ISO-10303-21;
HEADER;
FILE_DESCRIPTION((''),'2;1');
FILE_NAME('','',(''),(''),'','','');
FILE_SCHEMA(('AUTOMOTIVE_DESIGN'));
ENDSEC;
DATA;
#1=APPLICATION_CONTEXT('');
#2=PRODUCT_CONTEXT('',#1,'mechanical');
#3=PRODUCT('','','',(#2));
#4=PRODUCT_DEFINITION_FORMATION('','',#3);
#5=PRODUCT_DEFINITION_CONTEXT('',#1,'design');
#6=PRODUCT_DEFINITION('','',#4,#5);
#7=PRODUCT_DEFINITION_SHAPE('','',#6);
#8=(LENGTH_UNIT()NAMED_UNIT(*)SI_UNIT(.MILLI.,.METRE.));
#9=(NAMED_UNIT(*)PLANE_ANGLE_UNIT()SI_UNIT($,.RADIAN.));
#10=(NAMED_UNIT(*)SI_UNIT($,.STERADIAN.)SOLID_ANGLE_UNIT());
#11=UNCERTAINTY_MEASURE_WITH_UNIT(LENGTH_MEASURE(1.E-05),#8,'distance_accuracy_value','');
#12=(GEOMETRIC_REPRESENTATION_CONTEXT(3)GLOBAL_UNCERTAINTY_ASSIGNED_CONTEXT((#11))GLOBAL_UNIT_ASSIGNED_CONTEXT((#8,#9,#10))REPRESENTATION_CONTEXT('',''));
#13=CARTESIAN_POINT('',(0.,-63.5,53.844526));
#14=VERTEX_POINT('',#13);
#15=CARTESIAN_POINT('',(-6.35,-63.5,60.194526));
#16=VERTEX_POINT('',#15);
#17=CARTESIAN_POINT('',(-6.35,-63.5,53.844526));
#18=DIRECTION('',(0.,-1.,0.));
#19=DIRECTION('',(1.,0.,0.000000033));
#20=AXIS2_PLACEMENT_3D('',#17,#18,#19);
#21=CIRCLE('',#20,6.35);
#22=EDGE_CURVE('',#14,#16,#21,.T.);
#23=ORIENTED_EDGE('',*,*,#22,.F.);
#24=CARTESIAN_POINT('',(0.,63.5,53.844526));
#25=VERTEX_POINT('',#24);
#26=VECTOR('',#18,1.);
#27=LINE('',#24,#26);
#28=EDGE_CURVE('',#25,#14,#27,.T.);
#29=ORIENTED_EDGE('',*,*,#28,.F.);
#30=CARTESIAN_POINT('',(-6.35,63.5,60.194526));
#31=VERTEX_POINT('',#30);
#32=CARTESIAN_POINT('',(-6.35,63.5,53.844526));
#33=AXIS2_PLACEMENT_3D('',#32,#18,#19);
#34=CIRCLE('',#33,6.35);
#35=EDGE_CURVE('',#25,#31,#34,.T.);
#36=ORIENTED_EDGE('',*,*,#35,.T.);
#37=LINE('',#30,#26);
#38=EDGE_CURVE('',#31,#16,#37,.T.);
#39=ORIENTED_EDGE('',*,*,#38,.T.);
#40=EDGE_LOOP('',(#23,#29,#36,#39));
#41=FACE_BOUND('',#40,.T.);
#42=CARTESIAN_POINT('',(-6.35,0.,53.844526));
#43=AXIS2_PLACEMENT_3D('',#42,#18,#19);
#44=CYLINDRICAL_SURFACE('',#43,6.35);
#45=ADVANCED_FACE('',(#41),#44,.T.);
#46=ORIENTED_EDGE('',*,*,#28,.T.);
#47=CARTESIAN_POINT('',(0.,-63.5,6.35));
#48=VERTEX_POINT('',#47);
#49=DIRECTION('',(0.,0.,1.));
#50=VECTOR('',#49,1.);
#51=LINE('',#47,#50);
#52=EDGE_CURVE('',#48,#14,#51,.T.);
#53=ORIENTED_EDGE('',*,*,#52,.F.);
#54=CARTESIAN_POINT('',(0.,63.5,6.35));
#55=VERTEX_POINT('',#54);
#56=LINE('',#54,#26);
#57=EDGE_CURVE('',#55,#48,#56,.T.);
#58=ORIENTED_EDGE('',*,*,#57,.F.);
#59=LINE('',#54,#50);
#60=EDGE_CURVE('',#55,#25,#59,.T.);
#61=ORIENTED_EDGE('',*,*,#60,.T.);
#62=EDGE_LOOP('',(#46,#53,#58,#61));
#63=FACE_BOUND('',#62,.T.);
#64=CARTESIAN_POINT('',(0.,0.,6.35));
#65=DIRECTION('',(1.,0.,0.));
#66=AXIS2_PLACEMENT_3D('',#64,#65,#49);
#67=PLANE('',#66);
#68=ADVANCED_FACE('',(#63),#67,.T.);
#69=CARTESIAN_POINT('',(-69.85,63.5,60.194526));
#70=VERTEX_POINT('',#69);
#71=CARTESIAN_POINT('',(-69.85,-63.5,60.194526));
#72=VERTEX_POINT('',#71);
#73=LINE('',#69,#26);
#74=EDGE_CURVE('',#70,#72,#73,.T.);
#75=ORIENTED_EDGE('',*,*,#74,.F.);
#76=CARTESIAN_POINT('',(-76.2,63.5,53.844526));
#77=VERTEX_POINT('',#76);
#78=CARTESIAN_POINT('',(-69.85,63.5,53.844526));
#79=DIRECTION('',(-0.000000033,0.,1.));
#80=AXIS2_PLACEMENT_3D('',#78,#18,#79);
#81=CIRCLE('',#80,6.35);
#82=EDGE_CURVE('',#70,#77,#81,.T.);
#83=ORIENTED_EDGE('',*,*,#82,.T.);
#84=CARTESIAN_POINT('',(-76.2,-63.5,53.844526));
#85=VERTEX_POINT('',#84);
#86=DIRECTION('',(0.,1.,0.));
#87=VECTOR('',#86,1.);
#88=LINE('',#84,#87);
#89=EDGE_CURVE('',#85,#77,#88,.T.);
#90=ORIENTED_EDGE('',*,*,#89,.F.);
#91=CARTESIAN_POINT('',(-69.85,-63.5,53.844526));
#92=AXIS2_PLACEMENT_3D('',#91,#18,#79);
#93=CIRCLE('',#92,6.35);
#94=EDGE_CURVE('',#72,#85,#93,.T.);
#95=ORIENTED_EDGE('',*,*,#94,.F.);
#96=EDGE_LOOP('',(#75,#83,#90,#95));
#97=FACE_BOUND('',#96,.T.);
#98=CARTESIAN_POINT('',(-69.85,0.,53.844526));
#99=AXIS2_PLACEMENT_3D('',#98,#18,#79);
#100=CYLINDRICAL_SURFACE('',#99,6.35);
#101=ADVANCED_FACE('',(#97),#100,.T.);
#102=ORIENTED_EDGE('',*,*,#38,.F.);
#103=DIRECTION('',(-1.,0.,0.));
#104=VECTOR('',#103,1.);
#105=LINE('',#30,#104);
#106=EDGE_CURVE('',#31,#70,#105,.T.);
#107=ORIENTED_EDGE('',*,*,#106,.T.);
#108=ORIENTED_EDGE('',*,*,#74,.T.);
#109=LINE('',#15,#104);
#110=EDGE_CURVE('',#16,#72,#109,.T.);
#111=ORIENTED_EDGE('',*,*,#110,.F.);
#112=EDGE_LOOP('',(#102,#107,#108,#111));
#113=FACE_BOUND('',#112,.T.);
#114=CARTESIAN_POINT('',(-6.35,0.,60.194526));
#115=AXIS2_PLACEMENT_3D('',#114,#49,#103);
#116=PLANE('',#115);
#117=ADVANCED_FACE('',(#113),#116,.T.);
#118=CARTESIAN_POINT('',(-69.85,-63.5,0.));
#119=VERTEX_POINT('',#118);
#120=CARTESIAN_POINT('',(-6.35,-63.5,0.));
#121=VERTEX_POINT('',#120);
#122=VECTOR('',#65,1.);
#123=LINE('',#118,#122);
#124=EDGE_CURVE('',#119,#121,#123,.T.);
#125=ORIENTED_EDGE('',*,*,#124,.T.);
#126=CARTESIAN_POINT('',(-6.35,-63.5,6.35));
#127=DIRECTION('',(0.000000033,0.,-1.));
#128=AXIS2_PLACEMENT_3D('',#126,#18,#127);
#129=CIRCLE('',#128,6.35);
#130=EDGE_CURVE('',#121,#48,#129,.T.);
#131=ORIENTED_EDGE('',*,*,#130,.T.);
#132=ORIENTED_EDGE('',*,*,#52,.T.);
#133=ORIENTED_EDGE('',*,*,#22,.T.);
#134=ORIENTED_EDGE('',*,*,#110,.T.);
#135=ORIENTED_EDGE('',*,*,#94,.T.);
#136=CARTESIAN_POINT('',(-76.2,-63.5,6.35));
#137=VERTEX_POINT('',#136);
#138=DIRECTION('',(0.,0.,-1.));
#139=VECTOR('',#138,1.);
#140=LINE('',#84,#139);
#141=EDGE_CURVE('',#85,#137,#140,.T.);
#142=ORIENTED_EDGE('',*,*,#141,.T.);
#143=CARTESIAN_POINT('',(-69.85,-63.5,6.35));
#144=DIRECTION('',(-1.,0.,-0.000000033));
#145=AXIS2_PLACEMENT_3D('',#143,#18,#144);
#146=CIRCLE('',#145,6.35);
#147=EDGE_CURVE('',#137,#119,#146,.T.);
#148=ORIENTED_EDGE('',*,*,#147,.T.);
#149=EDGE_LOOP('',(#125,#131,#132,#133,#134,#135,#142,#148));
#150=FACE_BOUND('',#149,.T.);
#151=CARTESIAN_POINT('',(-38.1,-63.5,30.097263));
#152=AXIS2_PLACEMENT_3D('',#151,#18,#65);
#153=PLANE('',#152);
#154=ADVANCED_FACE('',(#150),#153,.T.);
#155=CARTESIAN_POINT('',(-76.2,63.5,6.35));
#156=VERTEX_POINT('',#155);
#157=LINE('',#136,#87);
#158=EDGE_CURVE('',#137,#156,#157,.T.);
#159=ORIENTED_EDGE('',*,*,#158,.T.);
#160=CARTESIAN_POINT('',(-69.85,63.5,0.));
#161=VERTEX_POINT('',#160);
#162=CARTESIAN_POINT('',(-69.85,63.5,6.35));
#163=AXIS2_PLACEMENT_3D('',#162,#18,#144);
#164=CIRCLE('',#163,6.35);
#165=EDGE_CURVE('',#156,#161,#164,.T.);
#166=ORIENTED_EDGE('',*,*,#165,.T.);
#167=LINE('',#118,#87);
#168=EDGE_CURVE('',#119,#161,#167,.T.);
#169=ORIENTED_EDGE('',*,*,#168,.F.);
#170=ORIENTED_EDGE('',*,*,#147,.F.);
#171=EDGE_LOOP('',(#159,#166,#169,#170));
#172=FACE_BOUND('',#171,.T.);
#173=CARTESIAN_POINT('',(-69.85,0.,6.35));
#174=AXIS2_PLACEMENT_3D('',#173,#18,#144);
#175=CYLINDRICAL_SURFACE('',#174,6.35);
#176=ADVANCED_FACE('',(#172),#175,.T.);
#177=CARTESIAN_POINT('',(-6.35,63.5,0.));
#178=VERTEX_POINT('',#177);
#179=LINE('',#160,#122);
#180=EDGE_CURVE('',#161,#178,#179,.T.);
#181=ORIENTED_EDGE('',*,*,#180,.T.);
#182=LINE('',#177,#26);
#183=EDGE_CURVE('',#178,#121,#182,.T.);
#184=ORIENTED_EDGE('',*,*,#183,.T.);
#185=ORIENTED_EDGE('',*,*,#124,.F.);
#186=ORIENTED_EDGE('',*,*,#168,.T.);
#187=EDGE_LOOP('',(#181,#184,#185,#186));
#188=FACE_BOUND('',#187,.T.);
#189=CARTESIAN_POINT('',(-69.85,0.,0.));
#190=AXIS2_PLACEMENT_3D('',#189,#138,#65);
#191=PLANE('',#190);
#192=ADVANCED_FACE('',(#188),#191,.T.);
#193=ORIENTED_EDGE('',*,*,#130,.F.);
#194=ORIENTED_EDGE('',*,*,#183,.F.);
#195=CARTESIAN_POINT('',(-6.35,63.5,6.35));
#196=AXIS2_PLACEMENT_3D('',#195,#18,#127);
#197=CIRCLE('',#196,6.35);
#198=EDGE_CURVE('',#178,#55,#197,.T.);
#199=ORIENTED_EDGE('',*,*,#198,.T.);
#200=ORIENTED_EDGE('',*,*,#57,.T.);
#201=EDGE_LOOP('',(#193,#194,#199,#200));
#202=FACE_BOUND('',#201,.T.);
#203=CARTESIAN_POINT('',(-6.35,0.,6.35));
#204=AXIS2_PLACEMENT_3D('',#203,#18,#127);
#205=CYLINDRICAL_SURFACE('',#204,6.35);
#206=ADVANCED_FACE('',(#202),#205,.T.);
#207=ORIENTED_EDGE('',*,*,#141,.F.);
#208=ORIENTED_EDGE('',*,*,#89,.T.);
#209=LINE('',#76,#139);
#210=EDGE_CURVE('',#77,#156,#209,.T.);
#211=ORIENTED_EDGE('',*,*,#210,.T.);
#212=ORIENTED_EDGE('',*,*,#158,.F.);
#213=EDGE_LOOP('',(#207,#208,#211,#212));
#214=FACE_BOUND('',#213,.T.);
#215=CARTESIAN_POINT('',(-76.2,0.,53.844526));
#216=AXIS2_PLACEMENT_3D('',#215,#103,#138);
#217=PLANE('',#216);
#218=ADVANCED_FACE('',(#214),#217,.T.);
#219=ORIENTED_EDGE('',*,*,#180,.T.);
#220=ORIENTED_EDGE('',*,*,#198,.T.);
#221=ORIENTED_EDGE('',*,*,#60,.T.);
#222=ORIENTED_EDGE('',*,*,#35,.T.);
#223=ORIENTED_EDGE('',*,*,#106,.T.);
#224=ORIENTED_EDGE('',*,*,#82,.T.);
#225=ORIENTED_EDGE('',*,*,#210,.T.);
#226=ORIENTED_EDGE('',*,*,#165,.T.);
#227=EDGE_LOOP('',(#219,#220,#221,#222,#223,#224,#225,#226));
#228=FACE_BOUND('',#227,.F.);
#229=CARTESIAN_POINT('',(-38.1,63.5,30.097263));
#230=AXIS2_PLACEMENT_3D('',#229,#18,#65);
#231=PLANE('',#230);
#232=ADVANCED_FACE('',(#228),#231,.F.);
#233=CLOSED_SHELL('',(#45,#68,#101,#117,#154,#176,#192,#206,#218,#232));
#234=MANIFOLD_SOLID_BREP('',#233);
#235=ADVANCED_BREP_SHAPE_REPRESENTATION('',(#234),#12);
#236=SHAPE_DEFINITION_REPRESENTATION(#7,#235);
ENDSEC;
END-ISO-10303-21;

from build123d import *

# Parameters (mm, degrees)
F1_DEPTH = 63.5


with BuildPart() as f1:
    # F0 (on Front) → F1 (new body, symmetric)
    with BuildSketch(Plane.XZ):
        with BuildLine():
            Line((-69.85, 0), (-6.35, 0))
            ThreePointArc((-6.35, 0), (-1.859872, 1.859872), (0, 6.35))
            Line((0, 6.35), (0, 53.844526))
            ThreePointArc((0, 53.844526), (-1.859872, 58.334654), (-6.35, 60.194526))
            Line((-6.35, 60.194526), (-69.85, 60.194526))
            ThreePointArc((-69.85, 60.194526), (-74.340128, 58.334654), (-76.2, 53.844526))
            Line((-76.2, 53.844526), (-76.2, 6.35))
            ThreePointArc((-76.2, 6.35), (-74.340128, 1.859872), (-69.85, 0))
        make_face()
    extrude(amount=F1_DEPTH, both=True)


solid = f1.part
